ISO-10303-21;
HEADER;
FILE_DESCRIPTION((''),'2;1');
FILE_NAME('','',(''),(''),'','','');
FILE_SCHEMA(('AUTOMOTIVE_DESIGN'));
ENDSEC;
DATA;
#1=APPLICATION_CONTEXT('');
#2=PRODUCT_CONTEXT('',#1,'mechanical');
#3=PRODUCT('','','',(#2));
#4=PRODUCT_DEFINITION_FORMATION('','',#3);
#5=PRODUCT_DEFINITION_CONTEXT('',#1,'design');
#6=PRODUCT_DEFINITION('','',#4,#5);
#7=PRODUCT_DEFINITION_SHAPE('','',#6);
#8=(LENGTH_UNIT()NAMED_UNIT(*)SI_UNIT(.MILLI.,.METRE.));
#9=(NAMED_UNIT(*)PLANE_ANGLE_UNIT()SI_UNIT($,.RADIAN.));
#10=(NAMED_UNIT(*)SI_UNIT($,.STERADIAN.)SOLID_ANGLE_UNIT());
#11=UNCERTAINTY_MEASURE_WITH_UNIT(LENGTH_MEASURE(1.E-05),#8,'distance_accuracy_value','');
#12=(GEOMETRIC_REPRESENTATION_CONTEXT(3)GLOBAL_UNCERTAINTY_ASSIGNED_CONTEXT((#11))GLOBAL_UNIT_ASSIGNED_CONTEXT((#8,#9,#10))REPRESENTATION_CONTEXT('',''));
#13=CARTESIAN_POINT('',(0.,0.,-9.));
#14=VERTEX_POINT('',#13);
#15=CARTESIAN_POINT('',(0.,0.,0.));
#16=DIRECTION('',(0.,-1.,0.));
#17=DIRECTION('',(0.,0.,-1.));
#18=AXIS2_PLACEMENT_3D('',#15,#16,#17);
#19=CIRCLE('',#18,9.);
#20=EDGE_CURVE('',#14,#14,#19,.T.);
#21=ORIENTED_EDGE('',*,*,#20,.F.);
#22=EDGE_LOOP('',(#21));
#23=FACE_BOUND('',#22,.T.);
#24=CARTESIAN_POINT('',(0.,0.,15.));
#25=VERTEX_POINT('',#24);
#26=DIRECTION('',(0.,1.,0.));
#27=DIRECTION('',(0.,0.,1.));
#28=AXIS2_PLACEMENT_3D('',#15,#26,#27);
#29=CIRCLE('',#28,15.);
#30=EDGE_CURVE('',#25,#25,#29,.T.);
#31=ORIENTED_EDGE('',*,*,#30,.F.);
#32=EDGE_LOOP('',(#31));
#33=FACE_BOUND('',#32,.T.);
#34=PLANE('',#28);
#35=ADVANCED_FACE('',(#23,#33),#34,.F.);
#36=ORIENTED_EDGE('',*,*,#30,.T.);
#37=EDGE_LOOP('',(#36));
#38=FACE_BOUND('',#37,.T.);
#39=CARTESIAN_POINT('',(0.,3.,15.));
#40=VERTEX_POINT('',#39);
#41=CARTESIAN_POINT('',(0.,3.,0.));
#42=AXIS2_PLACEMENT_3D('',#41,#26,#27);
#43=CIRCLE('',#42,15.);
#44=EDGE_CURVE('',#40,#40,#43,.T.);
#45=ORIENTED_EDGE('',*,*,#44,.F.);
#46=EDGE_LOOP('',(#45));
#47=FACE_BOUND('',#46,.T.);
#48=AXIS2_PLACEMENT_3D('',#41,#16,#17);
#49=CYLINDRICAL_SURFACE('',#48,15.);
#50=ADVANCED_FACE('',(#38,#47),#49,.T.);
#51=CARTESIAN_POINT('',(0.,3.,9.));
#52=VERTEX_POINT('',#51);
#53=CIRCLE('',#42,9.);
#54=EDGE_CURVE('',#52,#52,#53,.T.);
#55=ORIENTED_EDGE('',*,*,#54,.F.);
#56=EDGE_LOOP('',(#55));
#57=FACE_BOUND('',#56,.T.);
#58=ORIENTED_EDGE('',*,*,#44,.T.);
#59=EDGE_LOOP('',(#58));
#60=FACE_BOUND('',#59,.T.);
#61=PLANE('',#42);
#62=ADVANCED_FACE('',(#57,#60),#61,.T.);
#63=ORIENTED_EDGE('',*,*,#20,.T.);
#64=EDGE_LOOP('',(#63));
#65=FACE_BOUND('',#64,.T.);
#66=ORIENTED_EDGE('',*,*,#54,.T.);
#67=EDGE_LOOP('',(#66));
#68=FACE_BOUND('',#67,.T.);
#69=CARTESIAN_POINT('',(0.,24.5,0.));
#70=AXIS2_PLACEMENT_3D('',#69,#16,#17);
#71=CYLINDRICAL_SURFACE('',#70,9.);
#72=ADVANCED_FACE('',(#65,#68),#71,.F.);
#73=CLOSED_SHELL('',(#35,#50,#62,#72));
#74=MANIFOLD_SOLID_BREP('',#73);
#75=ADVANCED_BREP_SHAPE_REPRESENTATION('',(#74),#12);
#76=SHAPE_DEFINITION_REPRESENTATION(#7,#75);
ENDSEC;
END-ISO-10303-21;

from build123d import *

# Parameters (mm, degrees)
SKETCH_1_R          = 15
EXTRUDE_1_DEPTH     = 3
SKETCH_2_R          = 9
CUT_EXTRUDE_1_DEPTH = 24.5


with BuildPart() as part:
    # 草图1 → 凸台-拉伸1 (new body)
    with BuildSketch(Plane(origin=(0, 0, 0), x_dir=(1, 0, 0), z_dir=(0, 1, 0))):
        Circle(SKETCH_1_R)
    extrude(amount=EXTRUDE_1_DEPTH)

    # 草图2 → 切除-拉伸1 (cut)
    with BuildSketch(Plane.XZ):
        Circle(SKETCH_2_R)
    extrude(amount=-CUT_EXTRUDE_1_DEPTH, mode=Mode.SUBTRACT)


solid = part.part
